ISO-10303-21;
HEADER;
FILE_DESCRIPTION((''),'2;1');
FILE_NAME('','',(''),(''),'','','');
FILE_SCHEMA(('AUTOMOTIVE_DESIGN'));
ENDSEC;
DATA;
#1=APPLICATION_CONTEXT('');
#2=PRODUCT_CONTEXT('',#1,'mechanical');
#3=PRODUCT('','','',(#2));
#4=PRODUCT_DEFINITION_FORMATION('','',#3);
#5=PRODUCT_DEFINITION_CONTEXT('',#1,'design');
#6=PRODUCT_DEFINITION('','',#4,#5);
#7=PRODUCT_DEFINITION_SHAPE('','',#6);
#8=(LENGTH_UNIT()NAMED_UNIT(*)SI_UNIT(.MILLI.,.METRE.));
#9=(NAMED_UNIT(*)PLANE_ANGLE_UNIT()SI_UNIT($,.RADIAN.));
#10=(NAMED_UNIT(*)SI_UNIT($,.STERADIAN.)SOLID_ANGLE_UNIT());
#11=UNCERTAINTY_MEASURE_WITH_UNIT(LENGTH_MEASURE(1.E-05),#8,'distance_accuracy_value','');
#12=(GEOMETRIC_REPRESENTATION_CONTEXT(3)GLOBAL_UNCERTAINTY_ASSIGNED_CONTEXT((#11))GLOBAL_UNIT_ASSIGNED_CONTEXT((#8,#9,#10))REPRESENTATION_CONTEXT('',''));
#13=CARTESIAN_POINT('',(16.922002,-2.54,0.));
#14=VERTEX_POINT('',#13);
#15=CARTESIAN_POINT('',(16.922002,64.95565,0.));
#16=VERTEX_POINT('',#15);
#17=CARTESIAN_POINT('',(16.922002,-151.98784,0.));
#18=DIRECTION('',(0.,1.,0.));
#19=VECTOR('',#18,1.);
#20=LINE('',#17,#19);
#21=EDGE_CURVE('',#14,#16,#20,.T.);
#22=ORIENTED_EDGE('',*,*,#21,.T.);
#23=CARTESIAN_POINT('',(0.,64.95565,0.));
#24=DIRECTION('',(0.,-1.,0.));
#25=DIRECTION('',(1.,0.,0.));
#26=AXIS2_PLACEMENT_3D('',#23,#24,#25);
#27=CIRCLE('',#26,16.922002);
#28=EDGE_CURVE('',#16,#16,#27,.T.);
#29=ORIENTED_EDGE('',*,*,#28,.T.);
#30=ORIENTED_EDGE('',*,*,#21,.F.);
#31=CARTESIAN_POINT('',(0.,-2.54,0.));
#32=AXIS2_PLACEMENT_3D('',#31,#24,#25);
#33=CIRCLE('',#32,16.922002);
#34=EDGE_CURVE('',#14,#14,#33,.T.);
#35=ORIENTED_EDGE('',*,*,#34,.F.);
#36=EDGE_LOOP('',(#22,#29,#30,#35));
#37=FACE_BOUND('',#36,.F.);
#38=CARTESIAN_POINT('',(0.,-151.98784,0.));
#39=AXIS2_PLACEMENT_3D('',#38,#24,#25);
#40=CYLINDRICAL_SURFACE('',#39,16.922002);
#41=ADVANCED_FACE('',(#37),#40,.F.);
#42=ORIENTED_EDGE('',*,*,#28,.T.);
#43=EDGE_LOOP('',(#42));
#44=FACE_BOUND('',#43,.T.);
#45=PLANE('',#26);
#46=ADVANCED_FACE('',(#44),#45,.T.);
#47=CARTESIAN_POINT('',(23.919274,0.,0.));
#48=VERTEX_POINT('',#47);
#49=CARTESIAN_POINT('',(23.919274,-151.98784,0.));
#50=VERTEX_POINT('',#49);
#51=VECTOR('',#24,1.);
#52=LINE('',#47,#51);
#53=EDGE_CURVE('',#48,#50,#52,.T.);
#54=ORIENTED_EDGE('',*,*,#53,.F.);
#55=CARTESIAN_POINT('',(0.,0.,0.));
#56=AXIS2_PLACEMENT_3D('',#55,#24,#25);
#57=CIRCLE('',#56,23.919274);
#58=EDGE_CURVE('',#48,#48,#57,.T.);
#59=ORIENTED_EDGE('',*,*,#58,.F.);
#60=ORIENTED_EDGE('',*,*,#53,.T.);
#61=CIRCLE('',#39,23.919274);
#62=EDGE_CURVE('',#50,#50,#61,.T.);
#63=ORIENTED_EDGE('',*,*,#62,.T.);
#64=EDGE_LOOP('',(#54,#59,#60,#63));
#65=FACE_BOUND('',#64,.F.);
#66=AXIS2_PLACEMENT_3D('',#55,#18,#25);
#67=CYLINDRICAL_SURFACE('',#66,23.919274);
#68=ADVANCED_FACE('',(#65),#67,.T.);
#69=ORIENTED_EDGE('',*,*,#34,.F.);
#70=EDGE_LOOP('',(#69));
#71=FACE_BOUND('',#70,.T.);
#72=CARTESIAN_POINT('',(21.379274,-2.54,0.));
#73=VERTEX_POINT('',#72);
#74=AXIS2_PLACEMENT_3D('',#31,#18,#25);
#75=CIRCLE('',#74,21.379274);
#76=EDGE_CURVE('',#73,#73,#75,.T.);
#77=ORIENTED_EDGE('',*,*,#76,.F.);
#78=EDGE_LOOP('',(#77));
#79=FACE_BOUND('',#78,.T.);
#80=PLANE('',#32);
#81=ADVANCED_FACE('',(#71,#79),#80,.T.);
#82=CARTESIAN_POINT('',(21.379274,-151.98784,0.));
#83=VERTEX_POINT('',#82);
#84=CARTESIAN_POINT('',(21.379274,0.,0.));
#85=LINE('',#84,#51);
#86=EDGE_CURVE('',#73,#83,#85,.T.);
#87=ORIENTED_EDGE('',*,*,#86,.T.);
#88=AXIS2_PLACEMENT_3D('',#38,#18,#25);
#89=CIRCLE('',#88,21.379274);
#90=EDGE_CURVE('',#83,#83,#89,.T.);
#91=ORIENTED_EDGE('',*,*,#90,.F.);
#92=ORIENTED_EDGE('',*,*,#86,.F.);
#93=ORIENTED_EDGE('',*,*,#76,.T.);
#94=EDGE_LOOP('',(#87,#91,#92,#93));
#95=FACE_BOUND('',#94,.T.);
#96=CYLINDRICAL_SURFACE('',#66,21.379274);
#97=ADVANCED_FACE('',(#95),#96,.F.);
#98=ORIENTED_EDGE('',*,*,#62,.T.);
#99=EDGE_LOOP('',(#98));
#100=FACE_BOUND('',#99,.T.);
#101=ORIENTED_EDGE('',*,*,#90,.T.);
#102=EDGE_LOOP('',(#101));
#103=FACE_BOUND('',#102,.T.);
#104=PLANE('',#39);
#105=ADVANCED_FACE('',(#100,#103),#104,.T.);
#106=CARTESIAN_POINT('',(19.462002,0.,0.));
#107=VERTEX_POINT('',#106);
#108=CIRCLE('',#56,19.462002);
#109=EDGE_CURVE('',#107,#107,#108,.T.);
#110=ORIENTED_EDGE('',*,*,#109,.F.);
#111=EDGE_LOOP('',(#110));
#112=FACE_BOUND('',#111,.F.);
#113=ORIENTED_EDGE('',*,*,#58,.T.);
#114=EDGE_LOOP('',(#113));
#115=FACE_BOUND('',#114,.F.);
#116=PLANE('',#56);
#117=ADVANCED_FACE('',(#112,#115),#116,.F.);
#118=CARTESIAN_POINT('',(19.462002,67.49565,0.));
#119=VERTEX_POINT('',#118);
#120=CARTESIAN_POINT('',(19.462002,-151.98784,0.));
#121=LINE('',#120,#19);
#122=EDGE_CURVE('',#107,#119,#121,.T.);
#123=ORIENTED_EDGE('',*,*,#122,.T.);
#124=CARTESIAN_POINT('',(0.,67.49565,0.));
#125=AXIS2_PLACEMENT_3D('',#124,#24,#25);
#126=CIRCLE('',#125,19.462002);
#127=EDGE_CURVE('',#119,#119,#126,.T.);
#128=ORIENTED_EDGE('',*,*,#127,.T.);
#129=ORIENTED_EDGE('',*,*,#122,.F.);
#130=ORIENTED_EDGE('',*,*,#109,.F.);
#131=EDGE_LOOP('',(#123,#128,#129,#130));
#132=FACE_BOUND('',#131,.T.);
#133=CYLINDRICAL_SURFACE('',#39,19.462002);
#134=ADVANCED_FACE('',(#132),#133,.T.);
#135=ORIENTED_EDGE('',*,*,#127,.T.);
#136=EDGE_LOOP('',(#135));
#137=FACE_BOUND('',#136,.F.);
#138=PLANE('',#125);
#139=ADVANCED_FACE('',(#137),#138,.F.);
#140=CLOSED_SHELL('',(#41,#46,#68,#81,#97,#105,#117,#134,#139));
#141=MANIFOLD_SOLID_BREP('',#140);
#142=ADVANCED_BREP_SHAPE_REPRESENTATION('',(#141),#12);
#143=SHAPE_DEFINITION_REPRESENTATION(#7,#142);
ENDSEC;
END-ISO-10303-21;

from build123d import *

# Parameters (mm, degrees)
F0_R     = 23.9192744627
F1_DEPTH = 151.98784
F2_R     = 19.4620024737
F3_DEPTH = 219.48349
F4_T     = -2.54


with BuildPart() as f1:
    # F0 (on Front) → F1 (new body)
    with BuildSketch(Plane.XZ):
        Circle(F0_R)
    extrude(amount=F1_DEPTH)

    # F2 (on face) → F3 (join)
    with BuildSketch(Plane.XZ.offset(151.98784)):
        Circle(F2_R)
    extrude(amount=-F3_DEPTH)

    # F4
    f4_openings = [f1.faces().sort_by_distance(p)[0] for p in [
        (0, -151.98784, 0),
    ]]
    offset(amount=F4_T, openings=f4_openings, kind=Kind.INTERSECTION)


solid = f1.part
